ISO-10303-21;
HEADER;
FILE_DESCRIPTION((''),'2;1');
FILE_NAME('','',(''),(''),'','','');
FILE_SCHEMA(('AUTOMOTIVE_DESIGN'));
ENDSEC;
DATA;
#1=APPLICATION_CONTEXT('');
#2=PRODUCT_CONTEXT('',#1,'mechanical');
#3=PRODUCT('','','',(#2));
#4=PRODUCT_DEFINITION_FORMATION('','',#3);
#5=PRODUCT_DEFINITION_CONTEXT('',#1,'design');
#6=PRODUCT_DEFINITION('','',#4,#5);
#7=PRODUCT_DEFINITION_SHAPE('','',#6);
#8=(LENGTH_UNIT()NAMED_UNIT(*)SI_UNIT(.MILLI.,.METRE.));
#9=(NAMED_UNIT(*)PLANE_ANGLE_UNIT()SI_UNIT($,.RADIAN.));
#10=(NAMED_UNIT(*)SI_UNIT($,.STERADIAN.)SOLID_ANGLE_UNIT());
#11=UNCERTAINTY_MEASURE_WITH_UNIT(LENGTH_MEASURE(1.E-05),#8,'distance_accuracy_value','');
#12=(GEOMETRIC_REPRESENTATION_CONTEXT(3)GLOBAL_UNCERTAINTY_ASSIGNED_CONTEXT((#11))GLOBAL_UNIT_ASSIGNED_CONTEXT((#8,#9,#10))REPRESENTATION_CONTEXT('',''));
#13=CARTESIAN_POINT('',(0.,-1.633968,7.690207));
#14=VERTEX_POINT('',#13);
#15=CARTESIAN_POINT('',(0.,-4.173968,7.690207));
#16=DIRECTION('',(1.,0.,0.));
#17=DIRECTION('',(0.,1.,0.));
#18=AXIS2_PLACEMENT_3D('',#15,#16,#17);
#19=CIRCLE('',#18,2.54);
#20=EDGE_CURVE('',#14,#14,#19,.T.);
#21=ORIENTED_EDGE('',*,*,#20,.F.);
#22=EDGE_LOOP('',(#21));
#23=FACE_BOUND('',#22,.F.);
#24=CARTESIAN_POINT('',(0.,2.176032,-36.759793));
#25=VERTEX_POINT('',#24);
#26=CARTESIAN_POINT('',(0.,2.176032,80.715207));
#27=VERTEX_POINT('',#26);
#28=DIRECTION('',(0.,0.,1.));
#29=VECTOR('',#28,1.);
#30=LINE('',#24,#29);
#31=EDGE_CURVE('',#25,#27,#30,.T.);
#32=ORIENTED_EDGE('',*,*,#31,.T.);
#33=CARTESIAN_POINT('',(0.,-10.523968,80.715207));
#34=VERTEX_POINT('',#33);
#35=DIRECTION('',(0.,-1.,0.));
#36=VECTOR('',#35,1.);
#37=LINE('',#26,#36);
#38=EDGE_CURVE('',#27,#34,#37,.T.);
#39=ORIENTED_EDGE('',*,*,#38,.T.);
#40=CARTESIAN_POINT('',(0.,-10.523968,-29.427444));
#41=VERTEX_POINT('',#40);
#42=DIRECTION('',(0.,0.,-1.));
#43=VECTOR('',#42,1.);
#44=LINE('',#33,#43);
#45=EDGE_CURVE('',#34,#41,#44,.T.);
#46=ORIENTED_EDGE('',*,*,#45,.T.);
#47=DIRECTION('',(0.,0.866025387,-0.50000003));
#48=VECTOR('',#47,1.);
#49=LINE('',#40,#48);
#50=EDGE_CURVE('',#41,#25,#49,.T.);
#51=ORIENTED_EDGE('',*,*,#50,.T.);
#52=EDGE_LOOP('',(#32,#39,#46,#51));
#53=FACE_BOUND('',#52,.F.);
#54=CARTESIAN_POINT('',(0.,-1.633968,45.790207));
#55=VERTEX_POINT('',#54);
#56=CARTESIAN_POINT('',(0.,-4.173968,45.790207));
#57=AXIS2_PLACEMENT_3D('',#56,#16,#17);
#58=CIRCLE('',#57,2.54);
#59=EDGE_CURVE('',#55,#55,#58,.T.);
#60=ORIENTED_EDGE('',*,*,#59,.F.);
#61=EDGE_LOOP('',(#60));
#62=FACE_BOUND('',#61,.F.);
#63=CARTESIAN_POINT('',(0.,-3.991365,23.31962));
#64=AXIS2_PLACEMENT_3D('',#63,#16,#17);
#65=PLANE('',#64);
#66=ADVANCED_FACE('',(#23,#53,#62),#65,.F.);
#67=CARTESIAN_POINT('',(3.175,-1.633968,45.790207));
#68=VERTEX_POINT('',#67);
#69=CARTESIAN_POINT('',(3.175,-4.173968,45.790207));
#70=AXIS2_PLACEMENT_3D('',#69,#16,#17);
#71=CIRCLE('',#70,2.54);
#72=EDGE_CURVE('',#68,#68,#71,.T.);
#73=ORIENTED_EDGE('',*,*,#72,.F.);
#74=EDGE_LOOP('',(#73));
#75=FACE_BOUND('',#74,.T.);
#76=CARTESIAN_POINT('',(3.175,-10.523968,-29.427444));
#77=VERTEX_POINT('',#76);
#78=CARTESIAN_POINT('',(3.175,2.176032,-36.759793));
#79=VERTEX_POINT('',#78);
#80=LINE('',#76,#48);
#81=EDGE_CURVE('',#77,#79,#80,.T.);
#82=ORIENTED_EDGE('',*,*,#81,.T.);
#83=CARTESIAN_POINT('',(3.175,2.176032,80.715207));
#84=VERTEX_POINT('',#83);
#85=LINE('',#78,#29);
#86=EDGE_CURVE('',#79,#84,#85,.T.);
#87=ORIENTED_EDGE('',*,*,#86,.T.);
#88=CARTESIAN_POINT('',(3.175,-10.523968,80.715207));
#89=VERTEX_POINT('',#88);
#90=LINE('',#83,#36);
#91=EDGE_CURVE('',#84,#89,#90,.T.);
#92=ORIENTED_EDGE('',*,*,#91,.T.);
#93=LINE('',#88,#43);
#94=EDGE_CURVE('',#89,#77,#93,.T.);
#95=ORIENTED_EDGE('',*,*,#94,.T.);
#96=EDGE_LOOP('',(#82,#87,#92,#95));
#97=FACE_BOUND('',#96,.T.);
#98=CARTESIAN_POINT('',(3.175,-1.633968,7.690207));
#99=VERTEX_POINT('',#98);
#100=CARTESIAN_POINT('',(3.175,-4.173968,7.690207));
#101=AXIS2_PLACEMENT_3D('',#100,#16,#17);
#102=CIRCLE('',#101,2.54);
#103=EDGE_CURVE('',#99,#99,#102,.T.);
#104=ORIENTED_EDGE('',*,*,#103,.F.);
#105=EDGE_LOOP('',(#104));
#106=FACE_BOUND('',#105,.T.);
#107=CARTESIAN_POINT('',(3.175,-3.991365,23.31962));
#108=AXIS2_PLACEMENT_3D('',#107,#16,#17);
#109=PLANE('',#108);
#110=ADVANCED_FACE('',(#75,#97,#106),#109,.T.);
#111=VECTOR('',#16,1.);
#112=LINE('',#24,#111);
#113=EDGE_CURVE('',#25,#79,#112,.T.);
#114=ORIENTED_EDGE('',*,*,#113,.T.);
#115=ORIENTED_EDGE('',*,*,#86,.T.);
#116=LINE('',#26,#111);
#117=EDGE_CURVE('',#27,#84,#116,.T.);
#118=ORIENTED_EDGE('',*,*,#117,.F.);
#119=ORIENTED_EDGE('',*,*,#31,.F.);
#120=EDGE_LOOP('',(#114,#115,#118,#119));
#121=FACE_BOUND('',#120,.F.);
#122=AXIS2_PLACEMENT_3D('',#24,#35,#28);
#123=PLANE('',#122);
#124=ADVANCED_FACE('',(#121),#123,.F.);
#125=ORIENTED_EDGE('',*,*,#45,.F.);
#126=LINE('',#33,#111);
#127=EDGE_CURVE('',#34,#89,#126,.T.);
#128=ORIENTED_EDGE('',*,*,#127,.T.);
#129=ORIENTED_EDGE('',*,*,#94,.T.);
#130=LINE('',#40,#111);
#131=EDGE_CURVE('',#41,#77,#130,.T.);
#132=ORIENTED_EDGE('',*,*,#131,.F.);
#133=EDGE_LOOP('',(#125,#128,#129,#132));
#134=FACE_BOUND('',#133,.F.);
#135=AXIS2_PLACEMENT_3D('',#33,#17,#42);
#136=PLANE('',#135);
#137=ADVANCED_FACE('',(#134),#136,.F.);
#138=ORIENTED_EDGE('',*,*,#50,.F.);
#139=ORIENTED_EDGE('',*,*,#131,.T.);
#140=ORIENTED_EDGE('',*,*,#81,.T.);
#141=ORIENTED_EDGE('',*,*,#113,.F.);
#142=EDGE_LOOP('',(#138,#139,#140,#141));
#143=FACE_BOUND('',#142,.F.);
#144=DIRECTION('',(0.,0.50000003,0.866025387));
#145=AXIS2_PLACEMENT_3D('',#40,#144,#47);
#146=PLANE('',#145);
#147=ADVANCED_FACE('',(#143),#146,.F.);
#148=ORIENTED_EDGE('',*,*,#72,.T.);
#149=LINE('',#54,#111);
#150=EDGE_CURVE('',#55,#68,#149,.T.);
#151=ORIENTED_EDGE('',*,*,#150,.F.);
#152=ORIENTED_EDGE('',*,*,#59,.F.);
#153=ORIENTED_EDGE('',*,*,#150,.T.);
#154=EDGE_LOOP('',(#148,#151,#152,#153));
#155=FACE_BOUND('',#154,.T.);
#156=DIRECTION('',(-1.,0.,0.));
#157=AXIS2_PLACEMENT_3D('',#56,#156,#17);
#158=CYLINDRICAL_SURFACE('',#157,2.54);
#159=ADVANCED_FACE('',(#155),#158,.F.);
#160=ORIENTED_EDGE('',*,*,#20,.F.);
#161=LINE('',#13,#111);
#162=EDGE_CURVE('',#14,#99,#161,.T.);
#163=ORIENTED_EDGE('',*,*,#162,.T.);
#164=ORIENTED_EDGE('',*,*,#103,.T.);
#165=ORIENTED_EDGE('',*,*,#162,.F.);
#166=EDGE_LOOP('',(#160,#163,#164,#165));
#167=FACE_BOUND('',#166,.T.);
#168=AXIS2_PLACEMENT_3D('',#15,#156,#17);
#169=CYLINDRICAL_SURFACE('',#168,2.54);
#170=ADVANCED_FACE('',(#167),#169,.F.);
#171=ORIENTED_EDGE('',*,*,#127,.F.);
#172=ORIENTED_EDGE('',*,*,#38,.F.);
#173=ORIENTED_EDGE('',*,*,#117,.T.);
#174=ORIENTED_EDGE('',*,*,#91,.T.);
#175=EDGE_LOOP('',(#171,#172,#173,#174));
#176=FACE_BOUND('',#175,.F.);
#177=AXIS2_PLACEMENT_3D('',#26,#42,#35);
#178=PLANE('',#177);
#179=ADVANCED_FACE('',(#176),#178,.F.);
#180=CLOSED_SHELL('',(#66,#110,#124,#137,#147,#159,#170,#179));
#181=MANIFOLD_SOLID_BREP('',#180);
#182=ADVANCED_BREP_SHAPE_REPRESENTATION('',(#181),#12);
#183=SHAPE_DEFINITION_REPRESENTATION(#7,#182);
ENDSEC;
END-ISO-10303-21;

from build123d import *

# Parameters (mm, degrees)
F0_R     = 2.54
F1_DEPTH = 3.175


with BuildPart() as f1:
    # F0 (on Right) → F1 (new body)
    with BuildSketch(Plane.YZ):
        Polygon((2.176032, -36.759793), (2.176032, 80.715207), (-10.523968, 80.715207), (-10.523968, -29.427444), align=None)
        with Locations((-4.173968, 7.690207)):
            Circle(F0_R, mode=Mode.SUBTRACT)
        with Locations((-4.173968, 45.790207)):
            Circle(F0_R, mode=Mode.SUBTRACT)
    extrude(amount=F1_DEPTH)


solid = f1.part
